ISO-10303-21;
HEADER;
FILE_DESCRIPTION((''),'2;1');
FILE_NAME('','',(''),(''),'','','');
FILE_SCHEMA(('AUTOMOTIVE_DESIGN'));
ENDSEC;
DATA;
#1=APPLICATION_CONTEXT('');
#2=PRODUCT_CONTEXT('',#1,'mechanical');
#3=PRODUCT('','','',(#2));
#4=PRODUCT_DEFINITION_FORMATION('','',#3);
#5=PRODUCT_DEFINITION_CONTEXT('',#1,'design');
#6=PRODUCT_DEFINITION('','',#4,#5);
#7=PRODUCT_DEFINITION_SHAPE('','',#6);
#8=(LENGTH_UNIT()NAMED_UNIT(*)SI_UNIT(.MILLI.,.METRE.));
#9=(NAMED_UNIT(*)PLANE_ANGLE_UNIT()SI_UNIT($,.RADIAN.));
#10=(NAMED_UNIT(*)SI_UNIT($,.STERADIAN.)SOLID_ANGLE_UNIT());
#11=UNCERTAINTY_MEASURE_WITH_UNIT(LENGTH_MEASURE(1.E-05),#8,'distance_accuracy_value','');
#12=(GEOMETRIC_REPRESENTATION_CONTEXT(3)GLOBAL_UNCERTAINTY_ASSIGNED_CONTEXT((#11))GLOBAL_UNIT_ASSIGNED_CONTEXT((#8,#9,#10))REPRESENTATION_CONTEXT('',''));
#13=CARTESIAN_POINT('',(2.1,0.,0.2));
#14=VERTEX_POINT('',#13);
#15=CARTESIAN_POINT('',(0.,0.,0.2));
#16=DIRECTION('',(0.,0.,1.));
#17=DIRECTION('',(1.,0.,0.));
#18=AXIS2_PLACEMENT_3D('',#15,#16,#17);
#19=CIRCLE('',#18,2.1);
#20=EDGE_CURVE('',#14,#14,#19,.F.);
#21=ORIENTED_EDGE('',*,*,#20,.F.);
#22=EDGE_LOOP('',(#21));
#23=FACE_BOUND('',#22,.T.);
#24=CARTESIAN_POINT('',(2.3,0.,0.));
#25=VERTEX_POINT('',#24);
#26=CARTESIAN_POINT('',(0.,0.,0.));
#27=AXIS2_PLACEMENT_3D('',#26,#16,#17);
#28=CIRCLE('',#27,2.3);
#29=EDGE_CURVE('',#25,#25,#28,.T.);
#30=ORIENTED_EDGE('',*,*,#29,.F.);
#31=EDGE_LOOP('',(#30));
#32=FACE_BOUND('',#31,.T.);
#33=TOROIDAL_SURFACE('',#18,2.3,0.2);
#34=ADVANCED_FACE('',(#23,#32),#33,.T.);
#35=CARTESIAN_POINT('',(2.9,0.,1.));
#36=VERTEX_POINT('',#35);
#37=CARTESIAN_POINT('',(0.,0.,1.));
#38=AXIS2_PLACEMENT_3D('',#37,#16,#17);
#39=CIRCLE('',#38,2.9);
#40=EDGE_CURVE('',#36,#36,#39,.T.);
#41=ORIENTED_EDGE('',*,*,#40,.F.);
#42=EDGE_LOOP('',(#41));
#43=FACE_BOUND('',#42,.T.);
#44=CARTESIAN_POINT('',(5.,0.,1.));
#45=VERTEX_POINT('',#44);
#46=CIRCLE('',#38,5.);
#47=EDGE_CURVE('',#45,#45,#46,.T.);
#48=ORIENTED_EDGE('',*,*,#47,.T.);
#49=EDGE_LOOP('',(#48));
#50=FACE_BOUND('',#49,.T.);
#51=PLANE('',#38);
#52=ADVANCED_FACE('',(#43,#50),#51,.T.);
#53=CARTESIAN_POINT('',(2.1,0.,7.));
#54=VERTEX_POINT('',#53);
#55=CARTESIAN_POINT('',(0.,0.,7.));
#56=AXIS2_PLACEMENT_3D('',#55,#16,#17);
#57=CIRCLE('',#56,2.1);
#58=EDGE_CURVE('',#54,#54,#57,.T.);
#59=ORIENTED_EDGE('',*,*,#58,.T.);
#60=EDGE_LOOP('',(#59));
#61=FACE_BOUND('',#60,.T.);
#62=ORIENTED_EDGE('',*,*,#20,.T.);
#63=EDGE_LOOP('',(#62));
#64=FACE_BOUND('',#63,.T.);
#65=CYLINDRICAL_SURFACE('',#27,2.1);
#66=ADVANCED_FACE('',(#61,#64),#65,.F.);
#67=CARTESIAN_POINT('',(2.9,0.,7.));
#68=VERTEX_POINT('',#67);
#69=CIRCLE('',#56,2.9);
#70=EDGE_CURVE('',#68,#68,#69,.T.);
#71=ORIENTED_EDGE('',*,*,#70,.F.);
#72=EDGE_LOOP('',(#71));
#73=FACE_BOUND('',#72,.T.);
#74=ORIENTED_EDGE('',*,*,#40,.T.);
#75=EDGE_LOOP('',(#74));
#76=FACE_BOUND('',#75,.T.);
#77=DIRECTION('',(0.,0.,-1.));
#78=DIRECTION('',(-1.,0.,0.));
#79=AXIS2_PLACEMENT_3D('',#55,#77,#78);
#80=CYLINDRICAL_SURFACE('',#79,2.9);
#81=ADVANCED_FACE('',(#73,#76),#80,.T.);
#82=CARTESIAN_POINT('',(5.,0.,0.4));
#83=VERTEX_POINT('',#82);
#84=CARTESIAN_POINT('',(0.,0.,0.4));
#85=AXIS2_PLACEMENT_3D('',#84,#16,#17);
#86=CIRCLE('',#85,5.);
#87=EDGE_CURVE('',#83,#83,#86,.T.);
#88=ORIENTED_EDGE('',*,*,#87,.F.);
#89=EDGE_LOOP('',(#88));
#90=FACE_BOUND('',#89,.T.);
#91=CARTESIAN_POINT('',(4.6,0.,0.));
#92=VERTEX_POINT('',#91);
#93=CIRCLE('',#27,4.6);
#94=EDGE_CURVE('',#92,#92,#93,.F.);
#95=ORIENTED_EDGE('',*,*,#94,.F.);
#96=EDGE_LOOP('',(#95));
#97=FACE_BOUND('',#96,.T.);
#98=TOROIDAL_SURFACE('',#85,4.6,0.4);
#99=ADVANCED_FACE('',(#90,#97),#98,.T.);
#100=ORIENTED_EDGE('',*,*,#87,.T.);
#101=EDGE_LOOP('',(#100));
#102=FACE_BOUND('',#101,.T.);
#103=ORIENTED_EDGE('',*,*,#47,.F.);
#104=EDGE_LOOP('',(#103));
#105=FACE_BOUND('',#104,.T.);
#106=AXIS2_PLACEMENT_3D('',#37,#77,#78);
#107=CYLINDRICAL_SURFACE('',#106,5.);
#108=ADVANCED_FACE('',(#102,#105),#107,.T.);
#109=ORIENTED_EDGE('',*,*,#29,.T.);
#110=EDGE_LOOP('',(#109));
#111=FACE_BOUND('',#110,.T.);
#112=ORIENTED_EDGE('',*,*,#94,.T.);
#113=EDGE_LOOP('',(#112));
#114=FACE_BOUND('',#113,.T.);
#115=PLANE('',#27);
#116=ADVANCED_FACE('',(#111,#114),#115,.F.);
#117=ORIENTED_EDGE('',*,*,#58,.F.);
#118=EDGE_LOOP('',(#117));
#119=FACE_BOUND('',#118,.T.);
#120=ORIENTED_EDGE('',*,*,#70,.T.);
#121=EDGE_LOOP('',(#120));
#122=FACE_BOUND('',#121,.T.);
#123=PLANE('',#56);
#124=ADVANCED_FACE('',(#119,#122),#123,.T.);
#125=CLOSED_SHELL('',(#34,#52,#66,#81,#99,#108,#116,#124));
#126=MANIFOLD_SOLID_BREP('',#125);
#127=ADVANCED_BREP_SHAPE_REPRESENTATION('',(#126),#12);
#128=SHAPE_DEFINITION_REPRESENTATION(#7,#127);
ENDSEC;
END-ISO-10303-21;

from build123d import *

# Parameters (mm, degrees)
SKETCH1_R               = 5
BOSS_EXTRUDE1_DEPTH     = 1
SKETCH2_R               = 2.9
BOSS_EXTRUDE2_DEPTH     = 6
CUT_EXTRUDE2_DEPTH      = 10.949874371
CUT_EXTRUDE2_DEPTH_BACK = 10.949874371
SKETCH3_R               = 2.1
FILLET1_R               = 0.4
FILLET2_R               = 0.2


with BuildPart() as part:
    # Sketch1 → Boss-Extrude1 (new body)
    with BuildSketch(Plane.XY):
        Circle(SKETCH1_R)
    extrude(amount=BOSS_EXTRUDE1_DEPTH)

    # Sketch2 → Boss-Extrude2 (add)
    with BuildSketch(Plane.XY.offset(1)):
        Circle(SKETCH2_R)
    extrude(amount=BOSS_EXTRUDE2_DEPTH)

    # Sketch3 → Cut-Extrude2 (cut, two sides: drawn at the far end of the back side and taken through both)
    with BuildSketch(Plane.XY.offset(7).offset(-CUT_EXTRUDE2_DEPTH_BACK)):
        Circle(SKETCH3_R)
    extrude(amount=CUT_EXTRUDE2_DEPTH + CUT_EXTRUDE2_DEPTH_BACK, mode=Mode.SUBTRACT)

    # Fillet1
    fillet1_edges = [part.edges().sort_by_distance(p)[0] for p in [
        (-5, 0, 0),
    ]]
    fillet(fillet1_edges, radius=FILLET1_R)

    # Fillet2
    fillet2_edges = [part.edges().sort_by_distance(p)[0] for p in [
        (-2.1, 0, 0),
    ]]
    fillet(fillet2_edges, radius=FILLET2_R)


solid = part.part
